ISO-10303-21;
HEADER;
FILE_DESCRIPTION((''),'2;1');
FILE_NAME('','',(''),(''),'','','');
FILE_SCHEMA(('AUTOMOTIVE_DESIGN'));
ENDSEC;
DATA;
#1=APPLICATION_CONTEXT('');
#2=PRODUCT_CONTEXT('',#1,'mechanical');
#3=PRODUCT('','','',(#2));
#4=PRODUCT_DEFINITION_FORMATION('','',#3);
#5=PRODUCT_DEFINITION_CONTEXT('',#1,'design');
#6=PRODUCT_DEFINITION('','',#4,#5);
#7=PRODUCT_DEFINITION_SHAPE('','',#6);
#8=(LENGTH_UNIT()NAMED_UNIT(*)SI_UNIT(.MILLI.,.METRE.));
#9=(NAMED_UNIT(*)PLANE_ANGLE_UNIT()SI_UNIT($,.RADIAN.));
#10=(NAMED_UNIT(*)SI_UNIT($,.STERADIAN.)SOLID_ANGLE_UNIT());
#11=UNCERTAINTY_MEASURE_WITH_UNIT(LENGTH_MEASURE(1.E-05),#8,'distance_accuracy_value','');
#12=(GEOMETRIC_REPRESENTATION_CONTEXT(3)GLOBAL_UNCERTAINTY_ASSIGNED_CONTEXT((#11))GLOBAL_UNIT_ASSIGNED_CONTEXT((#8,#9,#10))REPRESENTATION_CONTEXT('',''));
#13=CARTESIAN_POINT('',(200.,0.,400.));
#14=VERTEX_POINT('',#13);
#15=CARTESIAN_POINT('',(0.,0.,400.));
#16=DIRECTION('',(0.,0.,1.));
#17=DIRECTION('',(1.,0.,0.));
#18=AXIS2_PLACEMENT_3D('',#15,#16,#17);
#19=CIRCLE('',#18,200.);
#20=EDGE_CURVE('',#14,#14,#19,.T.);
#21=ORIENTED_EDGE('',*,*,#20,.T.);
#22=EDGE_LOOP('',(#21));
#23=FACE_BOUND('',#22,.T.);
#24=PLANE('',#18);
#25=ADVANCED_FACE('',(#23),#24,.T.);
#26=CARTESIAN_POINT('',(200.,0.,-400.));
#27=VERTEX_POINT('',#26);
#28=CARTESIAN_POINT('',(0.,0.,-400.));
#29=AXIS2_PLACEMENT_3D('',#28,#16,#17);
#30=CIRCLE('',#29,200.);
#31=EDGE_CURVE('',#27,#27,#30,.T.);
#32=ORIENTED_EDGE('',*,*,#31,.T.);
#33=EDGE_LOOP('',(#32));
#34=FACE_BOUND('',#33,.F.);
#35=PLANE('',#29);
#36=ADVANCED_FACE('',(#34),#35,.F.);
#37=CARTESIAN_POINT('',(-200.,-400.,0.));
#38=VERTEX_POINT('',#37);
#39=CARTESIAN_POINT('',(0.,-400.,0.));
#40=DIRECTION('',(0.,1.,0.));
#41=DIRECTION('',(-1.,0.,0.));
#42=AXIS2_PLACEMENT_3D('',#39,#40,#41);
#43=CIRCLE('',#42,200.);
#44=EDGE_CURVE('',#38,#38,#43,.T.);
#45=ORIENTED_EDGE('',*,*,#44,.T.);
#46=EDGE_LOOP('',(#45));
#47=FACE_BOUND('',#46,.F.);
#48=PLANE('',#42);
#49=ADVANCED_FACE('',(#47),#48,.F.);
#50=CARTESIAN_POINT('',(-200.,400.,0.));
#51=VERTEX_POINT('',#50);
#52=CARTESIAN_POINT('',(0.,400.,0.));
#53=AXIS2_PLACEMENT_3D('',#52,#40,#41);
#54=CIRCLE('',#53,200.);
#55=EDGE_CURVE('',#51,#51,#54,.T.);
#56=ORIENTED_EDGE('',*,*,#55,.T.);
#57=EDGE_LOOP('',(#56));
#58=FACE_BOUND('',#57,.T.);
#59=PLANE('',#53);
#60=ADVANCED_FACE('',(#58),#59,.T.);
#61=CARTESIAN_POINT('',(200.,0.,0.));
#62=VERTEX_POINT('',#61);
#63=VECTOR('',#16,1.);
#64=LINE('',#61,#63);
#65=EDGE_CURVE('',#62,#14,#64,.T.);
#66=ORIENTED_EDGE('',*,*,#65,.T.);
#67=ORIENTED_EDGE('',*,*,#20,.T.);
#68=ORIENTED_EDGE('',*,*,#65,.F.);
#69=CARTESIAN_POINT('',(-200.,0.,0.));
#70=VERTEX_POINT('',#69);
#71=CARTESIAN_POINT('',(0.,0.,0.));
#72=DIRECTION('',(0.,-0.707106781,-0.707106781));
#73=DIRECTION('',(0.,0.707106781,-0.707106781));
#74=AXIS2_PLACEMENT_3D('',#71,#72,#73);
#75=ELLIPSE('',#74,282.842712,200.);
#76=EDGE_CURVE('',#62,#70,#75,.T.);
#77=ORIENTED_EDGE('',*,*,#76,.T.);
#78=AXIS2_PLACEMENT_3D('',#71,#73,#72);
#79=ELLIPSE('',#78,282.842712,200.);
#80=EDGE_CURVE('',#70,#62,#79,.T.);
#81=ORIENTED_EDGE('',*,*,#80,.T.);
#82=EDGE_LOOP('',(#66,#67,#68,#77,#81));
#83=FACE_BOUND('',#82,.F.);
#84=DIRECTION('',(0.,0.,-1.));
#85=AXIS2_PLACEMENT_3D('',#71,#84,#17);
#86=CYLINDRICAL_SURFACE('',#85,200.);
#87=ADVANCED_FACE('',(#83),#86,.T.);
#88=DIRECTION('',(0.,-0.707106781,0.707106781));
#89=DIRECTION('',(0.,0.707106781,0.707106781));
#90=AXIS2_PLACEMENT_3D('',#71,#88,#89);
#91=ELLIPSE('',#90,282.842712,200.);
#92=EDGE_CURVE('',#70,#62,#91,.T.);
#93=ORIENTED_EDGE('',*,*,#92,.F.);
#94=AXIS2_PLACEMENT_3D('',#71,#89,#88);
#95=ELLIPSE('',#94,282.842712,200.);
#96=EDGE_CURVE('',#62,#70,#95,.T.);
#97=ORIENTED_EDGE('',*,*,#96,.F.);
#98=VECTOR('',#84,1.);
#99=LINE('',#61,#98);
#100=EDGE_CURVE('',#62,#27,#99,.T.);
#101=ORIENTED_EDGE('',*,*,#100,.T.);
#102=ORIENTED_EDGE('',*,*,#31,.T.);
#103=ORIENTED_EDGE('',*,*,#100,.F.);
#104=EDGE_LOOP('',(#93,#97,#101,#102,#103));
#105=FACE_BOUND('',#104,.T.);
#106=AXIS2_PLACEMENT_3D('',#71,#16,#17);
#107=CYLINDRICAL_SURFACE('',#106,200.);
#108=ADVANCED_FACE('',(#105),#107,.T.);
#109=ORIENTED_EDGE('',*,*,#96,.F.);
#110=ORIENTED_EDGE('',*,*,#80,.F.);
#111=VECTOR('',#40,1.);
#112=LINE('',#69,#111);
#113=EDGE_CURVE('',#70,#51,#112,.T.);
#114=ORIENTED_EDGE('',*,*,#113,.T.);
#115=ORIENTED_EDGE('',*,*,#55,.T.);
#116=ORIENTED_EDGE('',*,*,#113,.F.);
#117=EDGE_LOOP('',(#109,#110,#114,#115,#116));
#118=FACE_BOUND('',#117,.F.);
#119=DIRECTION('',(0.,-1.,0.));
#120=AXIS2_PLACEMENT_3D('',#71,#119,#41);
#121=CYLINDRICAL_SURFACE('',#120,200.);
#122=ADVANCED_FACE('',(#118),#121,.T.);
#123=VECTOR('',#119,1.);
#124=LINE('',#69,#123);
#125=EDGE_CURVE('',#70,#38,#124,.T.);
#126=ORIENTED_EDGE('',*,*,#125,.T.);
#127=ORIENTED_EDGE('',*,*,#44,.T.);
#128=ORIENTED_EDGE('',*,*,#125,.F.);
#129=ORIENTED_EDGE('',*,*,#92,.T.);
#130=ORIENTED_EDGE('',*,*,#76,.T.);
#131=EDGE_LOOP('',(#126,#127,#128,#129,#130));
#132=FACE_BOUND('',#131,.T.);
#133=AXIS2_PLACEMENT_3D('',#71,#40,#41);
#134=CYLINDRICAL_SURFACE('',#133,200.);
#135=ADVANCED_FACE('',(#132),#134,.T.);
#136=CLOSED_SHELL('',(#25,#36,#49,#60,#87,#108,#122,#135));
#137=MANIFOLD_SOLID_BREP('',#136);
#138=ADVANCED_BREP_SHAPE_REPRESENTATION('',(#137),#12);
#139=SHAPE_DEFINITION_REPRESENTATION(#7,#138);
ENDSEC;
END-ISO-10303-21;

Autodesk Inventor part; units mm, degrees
ref_plane "YZ Plane" through (0, 0, 0) normal (1, 0, 0) x (0, 1, 0)
ref_plane "XZ Plane" through (0, 0, 0) normal (0, 1, 0) x (-1, 0, 0)
ref_plane "XY Plane" through (0, 0, 0) normal (0, 0, 1) x (1, 0, 0)
sketch "Sketch1" plane through (0, 0, 0) normal (0, 0, 1) x (1, 0, 0)
  circle A0 centre (0, 0) radius 200
  dimension "d7" = 200
extrude "Extrusion1" add sketch "Sketch1" along normal mid plane 800
sketch "Sketch2" plane through (0, 0, 0) normal (0, 1, 0) x (-1, 0, 0)
  circle A0 centre (0, 0) radius 200
  dimension "d8" = 200
extrude "Extrusion2" add sketch "Sketch2" along normal mid plane 800
equation "\"d7\" = rod_radius"
equation "\"d1\" = U_length"
equation "\"d8\" = rod_radius"
equation "\"d4\" = U_length"
equation "\"rod_radius\" = 200"
equation "\"U_length\" = 4 * rod_radius"
properties part number "U_Joint_Center"
